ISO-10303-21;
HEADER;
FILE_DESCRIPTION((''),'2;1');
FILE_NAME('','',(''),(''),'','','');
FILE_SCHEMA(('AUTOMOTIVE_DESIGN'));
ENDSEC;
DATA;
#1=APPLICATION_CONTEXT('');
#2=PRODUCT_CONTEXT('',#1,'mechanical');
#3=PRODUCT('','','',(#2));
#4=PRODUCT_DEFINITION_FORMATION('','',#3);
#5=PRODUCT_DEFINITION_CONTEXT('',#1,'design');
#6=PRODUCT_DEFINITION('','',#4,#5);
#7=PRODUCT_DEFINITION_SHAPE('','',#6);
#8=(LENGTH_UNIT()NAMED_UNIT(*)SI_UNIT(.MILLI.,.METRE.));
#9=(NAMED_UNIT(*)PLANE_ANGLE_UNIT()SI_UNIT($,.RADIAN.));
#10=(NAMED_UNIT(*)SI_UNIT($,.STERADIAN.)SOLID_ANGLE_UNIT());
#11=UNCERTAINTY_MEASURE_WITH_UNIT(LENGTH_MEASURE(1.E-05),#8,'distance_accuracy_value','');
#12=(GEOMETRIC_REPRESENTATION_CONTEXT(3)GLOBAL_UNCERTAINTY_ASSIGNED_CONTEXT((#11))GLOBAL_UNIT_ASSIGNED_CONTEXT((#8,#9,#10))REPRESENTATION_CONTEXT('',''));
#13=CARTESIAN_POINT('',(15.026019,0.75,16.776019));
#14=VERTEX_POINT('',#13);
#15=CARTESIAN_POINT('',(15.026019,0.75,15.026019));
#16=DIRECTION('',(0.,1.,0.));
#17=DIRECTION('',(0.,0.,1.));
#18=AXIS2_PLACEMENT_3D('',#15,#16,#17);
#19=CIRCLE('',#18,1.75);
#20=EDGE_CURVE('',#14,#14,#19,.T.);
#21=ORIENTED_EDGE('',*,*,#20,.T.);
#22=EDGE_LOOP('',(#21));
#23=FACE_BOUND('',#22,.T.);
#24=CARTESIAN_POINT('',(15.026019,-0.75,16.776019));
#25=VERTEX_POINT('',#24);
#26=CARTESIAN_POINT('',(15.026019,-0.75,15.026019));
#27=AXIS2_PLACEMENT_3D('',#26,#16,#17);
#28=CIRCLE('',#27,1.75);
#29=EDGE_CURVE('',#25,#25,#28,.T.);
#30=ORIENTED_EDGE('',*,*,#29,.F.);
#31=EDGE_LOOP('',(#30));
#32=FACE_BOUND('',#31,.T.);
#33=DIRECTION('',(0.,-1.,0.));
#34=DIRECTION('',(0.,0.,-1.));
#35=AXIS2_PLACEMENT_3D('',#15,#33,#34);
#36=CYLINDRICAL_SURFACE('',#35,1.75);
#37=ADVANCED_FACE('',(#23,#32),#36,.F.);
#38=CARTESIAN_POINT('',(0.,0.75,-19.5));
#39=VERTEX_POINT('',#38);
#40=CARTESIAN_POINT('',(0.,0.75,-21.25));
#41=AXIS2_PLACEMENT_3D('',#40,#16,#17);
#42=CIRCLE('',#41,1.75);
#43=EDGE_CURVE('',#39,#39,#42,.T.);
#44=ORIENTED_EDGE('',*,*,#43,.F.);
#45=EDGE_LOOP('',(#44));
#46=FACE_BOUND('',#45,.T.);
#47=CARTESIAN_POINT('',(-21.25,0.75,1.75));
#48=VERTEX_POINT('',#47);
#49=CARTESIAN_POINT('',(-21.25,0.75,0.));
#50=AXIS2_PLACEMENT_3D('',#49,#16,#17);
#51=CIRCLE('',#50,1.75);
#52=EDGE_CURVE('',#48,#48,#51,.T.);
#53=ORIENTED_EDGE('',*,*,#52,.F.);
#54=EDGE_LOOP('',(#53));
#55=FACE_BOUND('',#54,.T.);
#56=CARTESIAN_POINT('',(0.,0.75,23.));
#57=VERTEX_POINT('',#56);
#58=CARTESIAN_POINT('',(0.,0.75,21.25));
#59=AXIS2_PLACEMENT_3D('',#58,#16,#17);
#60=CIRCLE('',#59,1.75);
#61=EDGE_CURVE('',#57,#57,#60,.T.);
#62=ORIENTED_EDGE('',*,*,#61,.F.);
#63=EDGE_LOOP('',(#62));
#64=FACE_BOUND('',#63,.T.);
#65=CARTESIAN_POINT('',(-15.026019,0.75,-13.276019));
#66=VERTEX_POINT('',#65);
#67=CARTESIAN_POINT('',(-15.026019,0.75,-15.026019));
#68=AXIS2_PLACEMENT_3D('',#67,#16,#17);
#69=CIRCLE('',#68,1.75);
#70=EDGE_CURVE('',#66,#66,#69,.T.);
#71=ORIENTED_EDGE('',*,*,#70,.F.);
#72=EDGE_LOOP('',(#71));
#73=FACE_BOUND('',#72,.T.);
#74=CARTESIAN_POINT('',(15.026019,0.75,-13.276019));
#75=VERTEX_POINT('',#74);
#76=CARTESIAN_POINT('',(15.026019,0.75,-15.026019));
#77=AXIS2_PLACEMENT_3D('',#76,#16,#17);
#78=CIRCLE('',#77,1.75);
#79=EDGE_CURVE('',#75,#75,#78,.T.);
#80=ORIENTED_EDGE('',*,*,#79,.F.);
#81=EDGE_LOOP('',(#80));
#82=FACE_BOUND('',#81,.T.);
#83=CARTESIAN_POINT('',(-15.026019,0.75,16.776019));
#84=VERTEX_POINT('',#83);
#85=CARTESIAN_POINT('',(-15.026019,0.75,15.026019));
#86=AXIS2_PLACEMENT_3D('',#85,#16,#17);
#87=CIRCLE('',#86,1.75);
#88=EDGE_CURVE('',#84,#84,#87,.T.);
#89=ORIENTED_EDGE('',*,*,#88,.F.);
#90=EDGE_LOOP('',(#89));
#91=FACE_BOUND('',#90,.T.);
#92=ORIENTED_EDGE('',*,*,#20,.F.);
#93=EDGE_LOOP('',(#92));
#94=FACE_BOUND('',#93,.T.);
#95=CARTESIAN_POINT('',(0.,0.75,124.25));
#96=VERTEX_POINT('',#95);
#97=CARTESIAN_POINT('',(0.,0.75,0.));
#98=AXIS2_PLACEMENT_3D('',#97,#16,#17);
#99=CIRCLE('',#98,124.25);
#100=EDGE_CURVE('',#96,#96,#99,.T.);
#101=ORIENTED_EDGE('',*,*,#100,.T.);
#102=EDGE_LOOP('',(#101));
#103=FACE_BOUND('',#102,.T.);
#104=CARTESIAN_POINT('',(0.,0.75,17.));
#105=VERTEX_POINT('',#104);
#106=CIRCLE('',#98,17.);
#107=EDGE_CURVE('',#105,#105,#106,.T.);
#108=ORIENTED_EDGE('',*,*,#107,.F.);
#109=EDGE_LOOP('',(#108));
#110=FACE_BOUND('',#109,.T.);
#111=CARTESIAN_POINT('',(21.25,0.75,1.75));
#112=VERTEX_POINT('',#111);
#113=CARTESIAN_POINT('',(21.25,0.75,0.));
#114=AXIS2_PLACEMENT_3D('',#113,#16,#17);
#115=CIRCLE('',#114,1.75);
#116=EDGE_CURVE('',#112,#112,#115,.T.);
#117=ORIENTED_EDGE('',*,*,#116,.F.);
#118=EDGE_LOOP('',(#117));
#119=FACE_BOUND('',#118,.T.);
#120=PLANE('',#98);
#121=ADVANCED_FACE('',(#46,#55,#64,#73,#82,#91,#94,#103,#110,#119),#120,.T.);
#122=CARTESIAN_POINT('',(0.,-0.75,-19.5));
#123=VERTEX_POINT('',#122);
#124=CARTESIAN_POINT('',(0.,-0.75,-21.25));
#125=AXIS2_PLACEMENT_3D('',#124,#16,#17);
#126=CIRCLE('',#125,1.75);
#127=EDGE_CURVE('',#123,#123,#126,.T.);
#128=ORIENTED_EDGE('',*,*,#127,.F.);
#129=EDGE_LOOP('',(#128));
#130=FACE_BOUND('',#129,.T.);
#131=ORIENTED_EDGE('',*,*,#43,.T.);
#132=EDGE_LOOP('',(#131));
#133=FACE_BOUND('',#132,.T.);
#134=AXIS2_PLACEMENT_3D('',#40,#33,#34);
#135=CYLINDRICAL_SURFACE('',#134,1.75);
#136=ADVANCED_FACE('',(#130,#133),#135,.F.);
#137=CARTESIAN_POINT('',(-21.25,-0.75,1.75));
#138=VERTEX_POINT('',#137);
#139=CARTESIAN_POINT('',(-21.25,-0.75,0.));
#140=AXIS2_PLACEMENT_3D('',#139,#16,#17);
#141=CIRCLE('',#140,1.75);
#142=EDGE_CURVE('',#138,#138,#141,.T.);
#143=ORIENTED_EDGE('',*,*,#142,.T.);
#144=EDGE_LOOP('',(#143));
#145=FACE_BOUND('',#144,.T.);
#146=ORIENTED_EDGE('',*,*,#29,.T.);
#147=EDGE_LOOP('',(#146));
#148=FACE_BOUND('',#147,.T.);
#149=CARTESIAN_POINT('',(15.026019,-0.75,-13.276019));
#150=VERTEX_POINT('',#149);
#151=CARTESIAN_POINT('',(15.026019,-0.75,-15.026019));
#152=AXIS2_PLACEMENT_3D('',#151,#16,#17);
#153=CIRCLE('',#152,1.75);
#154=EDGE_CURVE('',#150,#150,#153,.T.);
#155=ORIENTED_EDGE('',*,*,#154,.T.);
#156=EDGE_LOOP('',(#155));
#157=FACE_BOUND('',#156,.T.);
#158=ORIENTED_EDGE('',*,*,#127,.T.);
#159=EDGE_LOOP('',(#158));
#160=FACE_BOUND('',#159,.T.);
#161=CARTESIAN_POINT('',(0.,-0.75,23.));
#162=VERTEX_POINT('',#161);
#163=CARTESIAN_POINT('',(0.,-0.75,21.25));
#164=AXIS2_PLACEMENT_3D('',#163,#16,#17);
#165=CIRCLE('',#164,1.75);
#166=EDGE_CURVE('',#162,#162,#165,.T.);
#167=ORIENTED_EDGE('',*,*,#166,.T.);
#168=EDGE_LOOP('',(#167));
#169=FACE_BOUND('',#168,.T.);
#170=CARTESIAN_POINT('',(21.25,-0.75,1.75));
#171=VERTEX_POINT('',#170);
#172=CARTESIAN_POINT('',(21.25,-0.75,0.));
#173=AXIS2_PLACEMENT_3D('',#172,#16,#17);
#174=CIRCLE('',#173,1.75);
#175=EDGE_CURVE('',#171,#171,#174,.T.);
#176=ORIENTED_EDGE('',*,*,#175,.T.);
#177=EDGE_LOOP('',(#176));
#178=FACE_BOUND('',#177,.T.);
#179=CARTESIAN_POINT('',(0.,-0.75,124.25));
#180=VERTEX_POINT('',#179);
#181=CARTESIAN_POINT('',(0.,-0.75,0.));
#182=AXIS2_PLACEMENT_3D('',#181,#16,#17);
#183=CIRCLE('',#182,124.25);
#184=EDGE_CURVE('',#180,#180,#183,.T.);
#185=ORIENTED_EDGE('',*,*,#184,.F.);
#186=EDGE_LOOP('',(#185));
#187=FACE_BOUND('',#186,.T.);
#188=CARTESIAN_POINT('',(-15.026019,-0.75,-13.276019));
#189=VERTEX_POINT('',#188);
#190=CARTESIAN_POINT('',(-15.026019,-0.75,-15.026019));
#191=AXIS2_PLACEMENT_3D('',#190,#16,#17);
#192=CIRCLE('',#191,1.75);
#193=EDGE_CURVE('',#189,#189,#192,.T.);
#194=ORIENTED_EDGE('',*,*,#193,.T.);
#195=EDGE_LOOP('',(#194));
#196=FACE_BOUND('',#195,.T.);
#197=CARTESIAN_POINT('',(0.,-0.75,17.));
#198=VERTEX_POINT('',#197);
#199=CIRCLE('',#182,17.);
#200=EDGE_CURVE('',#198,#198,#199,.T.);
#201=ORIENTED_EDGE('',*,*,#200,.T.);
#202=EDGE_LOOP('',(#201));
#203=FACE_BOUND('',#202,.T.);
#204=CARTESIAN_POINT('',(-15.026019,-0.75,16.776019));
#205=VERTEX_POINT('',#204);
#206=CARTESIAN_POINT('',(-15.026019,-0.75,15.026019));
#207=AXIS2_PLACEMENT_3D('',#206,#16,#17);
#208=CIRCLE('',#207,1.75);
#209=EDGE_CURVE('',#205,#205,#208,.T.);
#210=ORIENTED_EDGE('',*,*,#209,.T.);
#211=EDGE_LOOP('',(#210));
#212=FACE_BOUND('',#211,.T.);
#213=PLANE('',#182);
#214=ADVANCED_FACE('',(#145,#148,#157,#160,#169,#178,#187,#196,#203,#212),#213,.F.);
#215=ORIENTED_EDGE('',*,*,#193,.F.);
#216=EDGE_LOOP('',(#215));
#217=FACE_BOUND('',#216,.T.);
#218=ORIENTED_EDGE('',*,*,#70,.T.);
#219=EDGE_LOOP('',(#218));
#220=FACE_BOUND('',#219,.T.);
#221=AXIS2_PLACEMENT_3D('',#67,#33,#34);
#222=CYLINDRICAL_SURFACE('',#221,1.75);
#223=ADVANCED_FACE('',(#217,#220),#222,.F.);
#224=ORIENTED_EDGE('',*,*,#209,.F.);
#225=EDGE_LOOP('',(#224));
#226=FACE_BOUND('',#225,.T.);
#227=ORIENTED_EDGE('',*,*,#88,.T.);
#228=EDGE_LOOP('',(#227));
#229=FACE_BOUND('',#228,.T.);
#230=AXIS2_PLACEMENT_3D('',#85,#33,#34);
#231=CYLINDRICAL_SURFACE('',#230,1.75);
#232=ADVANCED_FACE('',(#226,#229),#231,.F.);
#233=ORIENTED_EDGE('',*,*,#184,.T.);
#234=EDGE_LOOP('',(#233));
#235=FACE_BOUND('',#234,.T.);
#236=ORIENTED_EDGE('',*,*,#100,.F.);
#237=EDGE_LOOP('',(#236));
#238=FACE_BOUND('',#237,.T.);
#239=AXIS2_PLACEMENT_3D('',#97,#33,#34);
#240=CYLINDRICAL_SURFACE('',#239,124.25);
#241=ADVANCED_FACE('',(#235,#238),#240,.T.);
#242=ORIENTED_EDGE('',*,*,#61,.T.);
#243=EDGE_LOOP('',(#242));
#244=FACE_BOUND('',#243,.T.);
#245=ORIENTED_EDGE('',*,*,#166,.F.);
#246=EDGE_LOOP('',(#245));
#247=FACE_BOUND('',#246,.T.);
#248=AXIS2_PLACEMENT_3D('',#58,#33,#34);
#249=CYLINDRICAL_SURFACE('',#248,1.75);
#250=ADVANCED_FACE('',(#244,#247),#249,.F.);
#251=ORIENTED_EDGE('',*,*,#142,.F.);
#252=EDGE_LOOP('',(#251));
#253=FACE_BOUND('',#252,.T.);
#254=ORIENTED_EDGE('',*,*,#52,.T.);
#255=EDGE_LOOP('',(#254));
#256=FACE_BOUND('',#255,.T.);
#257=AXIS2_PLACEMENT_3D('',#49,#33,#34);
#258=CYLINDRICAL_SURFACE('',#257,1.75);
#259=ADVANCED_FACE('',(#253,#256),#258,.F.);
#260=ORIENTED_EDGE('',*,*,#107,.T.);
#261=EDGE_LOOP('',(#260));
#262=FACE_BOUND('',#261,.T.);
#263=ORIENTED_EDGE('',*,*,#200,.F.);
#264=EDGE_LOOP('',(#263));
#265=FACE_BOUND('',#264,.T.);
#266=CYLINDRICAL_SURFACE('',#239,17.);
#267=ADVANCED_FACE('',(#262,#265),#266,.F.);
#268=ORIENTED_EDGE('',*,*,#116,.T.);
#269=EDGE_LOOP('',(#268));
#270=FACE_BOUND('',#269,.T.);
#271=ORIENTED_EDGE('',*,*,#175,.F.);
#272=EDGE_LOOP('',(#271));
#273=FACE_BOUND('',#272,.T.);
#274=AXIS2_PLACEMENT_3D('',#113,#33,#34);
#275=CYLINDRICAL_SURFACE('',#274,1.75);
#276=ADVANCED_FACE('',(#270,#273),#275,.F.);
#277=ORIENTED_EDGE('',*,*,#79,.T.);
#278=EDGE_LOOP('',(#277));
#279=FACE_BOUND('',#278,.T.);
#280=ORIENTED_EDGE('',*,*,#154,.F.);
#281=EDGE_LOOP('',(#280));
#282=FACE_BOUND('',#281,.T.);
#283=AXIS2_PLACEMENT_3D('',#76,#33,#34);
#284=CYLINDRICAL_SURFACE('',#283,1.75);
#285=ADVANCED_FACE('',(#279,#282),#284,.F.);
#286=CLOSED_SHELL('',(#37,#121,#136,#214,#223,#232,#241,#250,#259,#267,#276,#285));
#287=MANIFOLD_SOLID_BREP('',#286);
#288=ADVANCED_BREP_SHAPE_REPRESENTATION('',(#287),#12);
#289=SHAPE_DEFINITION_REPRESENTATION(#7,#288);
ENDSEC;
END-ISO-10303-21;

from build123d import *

# Parameters (mm, degrees)
SKETCH1_R         = 124.25
SKETCH1_R_2       = 17
SKETCH1_R_3       = 1.75
EXTRUDE_389_DEPTH = 0.75


with BuildPart() as part:
    # Sketch1 → Extrude 389 (new, symmetric)
    with BuildSketch(Plane(origin=(0, 0, 0), x_dir=(1, 0, 0), z_dir=(0, 1, 0))):
        with Locations(Location((0, 0, 0), (0, 0, 270))):
            Circle(SKETCH1_R)
        with Locations(Location((0, 0, 0), (0, 0, 270))):
            Circle(SKETCH1_R_2, mode=Mode.SUBTRACT)
        with Locations(Location((0, -21.25, 0), (0, 0, 270))):
            Circle(SKETCH1_R_3, mode=Mode.SUBTRACT)
        with Locations(Location((-15.0260191, -15.0260191, 0), (0, 0, 270))):
            Circle(SKETCH1_R_3, mode=Mode.SUBTRACT)
        with Locations(Location((-21.25, 0, 0), (0, 0, 270))):
            Circle(SKETCH1_R_3, mode=Mode.SUBTRACT)
        with Locations(Location((-15.0260191, 15.0260191, 0), (0, 0, 270))):
            Circle(SKETCH1_R_3, mode=Mode.SUBTRACT)
        with Locations(Location((0, 21.25, 0), (0, 0, 270))):
            Circle(SKETCH1_R_3, mode=Mode.SUBTRACT)
        with Locations(Location((15.0260191, 15.0260191, 0), (0, 0, 270))):
            Circle(SKETCH1_R_3, mode=Mode.SUBTRACT)
        with Locations(Location((21.25, 0, 0), (0, 0, 270))):
            Circle(SKETCH1_R_3, mode=Mode.SUBTRACT)
        with Locations(Location((15.0260191, -15.0260191, 0), (0, 0, 270))):
            Circle(SKETCH1_R_3, mode=Mode.SUBTRACT)
    extrude(amount=EXTRUDE_389_DEPTH, both=True)


solid = part.part
